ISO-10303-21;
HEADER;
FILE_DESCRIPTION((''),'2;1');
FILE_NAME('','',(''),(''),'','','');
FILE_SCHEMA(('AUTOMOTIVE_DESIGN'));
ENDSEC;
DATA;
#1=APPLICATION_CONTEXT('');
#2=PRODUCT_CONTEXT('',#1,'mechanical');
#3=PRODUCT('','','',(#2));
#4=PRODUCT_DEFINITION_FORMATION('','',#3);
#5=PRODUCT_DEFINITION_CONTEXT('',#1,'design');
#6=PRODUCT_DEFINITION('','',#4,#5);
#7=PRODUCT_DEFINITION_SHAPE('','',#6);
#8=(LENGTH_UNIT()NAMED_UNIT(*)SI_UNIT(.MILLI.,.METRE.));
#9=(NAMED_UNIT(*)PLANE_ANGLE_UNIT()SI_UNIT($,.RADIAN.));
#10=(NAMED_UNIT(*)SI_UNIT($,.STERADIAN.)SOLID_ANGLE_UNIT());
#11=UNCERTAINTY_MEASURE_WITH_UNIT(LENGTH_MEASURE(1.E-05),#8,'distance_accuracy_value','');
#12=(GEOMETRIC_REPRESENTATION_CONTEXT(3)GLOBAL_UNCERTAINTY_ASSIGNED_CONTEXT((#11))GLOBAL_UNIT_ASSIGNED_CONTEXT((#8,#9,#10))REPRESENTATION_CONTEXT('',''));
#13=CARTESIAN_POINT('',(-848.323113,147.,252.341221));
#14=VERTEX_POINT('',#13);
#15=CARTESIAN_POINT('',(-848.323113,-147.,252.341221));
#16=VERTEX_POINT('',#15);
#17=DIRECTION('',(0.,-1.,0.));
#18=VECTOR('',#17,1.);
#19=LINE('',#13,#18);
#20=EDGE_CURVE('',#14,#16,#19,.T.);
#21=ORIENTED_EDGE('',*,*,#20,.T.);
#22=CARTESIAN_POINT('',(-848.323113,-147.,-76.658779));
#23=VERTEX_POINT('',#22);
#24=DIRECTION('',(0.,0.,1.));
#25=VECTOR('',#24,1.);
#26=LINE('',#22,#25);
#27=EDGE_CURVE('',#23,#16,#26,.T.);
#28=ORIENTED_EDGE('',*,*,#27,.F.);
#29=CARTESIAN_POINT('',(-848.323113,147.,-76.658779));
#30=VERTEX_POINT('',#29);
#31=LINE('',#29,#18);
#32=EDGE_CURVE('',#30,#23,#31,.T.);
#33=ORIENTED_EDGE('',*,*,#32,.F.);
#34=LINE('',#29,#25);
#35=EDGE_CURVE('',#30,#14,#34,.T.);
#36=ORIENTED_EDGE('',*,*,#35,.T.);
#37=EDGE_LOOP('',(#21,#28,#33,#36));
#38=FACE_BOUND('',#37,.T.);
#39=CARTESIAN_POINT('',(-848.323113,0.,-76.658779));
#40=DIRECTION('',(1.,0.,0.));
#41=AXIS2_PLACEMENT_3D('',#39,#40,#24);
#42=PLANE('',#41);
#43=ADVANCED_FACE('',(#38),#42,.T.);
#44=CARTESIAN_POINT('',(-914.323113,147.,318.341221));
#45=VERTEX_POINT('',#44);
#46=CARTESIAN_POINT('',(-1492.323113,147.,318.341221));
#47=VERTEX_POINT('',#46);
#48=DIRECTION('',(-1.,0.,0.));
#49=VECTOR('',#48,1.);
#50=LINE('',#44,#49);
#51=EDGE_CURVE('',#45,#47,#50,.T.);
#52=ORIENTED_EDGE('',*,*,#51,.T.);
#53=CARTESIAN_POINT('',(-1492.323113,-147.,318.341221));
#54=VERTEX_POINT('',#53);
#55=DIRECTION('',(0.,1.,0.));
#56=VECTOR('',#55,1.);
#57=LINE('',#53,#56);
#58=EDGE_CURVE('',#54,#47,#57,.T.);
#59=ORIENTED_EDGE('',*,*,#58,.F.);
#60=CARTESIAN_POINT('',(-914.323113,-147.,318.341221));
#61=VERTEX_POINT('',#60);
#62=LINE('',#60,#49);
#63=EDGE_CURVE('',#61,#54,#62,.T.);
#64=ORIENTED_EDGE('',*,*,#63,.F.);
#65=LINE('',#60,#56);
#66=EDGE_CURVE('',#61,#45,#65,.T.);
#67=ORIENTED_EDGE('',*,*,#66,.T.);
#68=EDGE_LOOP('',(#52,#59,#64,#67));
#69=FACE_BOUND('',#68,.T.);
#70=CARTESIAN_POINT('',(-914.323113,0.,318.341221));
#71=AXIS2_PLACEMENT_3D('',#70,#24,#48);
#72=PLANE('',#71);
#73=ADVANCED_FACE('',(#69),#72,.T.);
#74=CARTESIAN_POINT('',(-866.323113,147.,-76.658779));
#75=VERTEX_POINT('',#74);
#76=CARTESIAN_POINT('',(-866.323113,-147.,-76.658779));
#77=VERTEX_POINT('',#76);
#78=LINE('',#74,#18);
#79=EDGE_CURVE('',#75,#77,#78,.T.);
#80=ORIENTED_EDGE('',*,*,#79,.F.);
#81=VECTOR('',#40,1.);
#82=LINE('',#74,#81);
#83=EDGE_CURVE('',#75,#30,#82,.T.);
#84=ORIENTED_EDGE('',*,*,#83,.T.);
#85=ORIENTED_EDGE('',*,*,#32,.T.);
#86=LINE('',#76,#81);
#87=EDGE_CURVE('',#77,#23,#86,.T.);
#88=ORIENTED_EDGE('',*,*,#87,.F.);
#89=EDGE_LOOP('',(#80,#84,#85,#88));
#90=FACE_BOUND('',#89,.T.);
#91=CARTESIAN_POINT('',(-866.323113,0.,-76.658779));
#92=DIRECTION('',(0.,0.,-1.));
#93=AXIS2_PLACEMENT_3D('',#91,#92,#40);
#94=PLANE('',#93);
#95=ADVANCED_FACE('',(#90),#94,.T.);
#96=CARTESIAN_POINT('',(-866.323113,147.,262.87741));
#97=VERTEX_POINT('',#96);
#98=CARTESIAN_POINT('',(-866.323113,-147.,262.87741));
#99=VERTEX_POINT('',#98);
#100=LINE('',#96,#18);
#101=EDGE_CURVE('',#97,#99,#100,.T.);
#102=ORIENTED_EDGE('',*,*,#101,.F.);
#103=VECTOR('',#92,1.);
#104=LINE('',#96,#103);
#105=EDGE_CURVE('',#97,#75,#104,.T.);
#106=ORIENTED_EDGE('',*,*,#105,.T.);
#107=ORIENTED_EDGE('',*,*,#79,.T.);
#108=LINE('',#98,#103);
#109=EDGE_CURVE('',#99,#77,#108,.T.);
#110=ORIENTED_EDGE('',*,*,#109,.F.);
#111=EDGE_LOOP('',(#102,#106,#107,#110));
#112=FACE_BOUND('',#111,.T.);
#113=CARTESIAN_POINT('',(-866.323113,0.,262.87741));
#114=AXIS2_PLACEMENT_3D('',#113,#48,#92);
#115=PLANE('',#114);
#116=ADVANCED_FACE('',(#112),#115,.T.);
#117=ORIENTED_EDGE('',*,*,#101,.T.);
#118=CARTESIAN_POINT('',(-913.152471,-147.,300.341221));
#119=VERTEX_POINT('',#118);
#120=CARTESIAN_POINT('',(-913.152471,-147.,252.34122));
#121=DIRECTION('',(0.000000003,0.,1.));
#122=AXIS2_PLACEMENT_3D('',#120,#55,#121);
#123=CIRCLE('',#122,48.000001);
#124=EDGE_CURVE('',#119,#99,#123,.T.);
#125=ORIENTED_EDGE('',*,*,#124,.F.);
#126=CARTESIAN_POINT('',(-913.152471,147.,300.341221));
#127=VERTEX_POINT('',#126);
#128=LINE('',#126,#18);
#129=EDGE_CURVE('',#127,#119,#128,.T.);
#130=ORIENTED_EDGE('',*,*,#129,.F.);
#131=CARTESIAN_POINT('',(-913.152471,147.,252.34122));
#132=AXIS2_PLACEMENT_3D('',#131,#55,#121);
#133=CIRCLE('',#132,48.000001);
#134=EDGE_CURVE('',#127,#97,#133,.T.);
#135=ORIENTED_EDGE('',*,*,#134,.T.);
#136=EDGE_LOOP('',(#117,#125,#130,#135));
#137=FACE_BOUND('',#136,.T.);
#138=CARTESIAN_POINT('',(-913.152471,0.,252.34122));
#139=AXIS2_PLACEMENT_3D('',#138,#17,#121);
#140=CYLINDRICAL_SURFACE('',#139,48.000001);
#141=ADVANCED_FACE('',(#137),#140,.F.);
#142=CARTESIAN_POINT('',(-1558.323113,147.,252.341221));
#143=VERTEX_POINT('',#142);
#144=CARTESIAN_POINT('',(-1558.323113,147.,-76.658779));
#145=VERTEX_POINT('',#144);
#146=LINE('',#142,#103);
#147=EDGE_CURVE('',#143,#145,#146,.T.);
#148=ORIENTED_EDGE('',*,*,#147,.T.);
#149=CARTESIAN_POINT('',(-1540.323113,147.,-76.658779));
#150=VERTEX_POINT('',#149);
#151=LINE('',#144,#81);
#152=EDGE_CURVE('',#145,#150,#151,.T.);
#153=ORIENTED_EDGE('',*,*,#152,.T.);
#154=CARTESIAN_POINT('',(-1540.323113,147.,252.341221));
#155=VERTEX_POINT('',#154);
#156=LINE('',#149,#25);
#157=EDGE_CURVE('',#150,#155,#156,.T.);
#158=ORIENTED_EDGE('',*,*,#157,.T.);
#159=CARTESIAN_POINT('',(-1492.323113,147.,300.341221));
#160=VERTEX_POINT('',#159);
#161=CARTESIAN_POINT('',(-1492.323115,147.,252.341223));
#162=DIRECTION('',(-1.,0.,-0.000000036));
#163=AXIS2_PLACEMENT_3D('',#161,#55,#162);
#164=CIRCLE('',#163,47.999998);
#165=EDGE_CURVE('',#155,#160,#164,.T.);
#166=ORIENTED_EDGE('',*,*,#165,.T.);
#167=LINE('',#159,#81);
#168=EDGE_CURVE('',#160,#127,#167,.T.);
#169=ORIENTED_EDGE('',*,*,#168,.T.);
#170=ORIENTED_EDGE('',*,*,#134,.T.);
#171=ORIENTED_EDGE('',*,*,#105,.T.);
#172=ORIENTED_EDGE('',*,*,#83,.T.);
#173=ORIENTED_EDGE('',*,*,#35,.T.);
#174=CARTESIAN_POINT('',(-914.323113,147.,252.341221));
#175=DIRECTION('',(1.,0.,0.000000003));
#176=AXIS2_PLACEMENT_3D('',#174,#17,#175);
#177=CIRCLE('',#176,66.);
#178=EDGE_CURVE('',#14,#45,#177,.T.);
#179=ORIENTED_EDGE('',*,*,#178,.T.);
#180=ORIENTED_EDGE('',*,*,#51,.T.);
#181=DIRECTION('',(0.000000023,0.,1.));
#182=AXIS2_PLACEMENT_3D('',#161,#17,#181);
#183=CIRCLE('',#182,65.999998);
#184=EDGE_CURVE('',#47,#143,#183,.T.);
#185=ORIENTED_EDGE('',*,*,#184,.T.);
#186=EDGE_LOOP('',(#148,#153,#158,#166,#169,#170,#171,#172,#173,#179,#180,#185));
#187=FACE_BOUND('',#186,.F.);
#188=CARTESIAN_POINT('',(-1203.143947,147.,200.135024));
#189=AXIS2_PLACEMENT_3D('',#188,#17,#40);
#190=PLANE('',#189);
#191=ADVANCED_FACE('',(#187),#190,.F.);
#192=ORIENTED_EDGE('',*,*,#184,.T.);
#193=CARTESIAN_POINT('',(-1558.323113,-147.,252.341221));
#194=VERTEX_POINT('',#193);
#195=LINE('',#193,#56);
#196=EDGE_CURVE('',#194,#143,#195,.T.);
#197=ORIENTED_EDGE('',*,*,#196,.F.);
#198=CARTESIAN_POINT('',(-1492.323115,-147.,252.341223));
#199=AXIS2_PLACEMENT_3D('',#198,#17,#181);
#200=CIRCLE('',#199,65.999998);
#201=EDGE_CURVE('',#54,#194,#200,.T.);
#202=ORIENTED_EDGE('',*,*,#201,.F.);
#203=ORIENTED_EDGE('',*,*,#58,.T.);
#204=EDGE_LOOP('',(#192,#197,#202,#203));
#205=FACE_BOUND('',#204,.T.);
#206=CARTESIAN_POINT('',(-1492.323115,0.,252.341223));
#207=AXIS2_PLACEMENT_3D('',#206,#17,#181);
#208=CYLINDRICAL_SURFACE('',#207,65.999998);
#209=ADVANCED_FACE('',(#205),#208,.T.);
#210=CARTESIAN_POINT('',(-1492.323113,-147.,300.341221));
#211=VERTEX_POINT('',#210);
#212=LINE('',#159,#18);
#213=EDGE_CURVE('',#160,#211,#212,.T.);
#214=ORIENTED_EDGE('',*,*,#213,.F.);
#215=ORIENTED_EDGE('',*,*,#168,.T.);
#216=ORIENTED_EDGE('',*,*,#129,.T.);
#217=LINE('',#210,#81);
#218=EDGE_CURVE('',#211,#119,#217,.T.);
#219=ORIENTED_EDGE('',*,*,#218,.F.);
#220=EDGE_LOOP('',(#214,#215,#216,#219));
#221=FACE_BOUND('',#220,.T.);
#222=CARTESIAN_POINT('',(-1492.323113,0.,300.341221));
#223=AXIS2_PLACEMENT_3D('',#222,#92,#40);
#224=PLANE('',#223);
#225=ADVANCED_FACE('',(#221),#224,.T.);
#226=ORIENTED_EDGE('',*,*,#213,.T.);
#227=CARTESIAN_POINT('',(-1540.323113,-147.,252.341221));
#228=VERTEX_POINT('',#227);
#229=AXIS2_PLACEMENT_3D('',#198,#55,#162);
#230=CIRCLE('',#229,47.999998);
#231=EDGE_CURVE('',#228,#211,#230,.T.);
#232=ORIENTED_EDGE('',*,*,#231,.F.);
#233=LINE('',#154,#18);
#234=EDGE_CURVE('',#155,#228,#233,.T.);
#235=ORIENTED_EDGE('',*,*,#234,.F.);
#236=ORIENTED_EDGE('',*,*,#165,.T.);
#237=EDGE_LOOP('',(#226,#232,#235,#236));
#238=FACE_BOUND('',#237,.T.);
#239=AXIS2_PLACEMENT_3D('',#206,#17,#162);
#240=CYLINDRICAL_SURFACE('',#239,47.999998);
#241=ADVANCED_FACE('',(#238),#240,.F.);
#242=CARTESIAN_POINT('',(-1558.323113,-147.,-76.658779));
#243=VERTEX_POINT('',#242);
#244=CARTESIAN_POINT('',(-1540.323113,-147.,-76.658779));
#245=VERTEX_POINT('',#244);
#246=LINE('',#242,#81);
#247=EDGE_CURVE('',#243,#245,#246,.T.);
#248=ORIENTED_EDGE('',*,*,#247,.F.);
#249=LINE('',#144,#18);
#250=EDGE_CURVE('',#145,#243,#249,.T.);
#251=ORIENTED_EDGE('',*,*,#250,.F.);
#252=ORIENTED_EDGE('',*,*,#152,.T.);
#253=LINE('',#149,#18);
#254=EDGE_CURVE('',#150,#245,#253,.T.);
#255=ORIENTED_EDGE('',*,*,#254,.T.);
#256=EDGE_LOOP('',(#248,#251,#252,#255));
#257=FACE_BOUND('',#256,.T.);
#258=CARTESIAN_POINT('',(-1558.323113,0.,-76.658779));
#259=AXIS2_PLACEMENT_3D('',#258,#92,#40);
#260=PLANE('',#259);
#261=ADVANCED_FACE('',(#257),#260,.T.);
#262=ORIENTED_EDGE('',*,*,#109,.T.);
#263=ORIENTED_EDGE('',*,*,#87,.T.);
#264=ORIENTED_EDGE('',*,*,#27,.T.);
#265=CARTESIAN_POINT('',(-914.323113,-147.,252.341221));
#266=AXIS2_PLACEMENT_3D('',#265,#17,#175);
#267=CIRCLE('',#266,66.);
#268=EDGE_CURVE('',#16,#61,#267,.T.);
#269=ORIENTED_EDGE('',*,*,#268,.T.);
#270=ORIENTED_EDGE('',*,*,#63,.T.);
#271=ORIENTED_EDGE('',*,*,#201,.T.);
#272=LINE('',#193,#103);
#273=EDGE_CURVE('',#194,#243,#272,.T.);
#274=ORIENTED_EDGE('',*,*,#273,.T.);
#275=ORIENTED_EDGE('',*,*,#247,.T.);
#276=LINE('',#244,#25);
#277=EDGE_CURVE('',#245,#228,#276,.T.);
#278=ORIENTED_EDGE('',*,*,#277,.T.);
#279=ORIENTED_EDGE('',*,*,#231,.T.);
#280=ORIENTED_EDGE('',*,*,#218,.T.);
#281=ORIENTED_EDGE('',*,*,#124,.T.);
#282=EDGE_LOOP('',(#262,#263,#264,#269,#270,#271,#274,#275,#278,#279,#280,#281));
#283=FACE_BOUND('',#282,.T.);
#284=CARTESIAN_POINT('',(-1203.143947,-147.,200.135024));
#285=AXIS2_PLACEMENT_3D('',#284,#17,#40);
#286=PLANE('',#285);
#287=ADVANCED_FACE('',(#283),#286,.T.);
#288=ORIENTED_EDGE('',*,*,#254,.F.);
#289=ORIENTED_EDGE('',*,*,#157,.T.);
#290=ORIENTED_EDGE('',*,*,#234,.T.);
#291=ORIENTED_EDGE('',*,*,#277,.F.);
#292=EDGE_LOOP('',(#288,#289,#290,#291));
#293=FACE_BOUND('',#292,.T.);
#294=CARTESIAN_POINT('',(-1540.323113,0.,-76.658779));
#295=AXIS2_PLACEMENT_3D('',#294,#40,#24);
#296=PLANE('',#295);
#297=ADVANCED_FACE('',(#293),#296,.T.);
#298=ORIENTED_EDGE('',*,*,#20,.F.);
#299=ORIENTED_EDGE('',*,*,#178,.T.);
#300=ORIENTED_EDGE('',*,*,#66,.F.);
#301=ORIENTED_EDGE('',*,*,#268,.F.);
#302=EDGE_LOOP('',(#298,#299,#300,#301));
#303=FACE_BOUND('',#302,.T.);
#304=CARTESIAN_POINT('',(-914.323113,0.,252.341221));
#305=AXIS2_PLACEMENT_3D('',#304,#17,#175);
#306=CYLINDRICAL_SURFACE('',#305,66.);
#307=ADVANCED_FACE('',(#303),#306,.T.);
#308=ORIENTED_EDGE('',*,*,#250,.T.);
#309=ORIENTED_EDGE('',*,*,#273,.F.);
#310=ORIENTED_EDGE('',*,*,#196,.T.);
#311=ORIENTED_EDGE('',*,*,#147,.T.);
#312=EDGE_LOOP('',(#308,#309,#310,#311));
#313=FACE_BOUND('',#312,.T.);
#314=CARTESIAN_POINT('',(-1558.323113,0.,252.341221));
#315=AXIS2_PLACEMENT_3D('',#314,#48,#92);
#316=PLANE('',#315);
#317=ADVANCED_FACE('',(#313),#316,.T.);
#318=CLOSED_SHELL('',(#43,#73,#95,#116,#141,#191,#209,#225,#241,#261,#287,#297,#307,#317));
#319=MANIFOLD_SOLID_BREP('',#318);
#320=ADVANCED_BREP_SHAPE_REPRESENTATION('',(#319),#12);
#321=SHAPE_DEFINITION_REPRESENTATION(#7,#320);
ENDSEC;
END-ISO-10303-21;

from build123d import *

# Parameters (mm, degrees)
F1_DEPTH = 147


with BuildPart() as f1:
    # F0 (on Front) → F1 (new body, symmetric)
    with BuildSketch(Plane.XZ):
        with BuildLine():
            Line((-1558.323113, 252.341221), (-1558.323113, -76.658779))
            Line((-1558.323113, -76.658779), (-1540.323113, -76.658779))
            Line((-1540.323113, -76.658779), (-1540.323113, 252.341221))
            ThreePointArc((-1540.323113, 252.341221), (-1526.264239, 286.282347), (-1492.323113, 300.341221))
            Line((-1492.323113, 300.341221), (-913.152471, 300.341221))
            ThreePointArc((-913.152471, 300.341221), (-883.16695, 289.822797), (-866.323113, 262.87741))
            Line((-866.323113, 262.87741), (-866.323113, -76.658779))
            Line((-866.323113, -76.658779), (-848.323113, -76.658779))
            Line((-848.323113, -76.658779), (-848.323113, 252.341221))
            ThreePointArc((-848.323113, 252.341221), (-867.654066, 299.010269), (-914.323113, 318.341221))
            Line((-914.323113, 318.341221), (-1492.323113, 318.341221))
            ThreePointArc((-1492.323113, 318.341221), (-1538.992161, 299.010269), (-1558.323113, 252.341221))
        make_face()
    extrude(amount=F1_DEPTH, both=True)


solid = f1.part
